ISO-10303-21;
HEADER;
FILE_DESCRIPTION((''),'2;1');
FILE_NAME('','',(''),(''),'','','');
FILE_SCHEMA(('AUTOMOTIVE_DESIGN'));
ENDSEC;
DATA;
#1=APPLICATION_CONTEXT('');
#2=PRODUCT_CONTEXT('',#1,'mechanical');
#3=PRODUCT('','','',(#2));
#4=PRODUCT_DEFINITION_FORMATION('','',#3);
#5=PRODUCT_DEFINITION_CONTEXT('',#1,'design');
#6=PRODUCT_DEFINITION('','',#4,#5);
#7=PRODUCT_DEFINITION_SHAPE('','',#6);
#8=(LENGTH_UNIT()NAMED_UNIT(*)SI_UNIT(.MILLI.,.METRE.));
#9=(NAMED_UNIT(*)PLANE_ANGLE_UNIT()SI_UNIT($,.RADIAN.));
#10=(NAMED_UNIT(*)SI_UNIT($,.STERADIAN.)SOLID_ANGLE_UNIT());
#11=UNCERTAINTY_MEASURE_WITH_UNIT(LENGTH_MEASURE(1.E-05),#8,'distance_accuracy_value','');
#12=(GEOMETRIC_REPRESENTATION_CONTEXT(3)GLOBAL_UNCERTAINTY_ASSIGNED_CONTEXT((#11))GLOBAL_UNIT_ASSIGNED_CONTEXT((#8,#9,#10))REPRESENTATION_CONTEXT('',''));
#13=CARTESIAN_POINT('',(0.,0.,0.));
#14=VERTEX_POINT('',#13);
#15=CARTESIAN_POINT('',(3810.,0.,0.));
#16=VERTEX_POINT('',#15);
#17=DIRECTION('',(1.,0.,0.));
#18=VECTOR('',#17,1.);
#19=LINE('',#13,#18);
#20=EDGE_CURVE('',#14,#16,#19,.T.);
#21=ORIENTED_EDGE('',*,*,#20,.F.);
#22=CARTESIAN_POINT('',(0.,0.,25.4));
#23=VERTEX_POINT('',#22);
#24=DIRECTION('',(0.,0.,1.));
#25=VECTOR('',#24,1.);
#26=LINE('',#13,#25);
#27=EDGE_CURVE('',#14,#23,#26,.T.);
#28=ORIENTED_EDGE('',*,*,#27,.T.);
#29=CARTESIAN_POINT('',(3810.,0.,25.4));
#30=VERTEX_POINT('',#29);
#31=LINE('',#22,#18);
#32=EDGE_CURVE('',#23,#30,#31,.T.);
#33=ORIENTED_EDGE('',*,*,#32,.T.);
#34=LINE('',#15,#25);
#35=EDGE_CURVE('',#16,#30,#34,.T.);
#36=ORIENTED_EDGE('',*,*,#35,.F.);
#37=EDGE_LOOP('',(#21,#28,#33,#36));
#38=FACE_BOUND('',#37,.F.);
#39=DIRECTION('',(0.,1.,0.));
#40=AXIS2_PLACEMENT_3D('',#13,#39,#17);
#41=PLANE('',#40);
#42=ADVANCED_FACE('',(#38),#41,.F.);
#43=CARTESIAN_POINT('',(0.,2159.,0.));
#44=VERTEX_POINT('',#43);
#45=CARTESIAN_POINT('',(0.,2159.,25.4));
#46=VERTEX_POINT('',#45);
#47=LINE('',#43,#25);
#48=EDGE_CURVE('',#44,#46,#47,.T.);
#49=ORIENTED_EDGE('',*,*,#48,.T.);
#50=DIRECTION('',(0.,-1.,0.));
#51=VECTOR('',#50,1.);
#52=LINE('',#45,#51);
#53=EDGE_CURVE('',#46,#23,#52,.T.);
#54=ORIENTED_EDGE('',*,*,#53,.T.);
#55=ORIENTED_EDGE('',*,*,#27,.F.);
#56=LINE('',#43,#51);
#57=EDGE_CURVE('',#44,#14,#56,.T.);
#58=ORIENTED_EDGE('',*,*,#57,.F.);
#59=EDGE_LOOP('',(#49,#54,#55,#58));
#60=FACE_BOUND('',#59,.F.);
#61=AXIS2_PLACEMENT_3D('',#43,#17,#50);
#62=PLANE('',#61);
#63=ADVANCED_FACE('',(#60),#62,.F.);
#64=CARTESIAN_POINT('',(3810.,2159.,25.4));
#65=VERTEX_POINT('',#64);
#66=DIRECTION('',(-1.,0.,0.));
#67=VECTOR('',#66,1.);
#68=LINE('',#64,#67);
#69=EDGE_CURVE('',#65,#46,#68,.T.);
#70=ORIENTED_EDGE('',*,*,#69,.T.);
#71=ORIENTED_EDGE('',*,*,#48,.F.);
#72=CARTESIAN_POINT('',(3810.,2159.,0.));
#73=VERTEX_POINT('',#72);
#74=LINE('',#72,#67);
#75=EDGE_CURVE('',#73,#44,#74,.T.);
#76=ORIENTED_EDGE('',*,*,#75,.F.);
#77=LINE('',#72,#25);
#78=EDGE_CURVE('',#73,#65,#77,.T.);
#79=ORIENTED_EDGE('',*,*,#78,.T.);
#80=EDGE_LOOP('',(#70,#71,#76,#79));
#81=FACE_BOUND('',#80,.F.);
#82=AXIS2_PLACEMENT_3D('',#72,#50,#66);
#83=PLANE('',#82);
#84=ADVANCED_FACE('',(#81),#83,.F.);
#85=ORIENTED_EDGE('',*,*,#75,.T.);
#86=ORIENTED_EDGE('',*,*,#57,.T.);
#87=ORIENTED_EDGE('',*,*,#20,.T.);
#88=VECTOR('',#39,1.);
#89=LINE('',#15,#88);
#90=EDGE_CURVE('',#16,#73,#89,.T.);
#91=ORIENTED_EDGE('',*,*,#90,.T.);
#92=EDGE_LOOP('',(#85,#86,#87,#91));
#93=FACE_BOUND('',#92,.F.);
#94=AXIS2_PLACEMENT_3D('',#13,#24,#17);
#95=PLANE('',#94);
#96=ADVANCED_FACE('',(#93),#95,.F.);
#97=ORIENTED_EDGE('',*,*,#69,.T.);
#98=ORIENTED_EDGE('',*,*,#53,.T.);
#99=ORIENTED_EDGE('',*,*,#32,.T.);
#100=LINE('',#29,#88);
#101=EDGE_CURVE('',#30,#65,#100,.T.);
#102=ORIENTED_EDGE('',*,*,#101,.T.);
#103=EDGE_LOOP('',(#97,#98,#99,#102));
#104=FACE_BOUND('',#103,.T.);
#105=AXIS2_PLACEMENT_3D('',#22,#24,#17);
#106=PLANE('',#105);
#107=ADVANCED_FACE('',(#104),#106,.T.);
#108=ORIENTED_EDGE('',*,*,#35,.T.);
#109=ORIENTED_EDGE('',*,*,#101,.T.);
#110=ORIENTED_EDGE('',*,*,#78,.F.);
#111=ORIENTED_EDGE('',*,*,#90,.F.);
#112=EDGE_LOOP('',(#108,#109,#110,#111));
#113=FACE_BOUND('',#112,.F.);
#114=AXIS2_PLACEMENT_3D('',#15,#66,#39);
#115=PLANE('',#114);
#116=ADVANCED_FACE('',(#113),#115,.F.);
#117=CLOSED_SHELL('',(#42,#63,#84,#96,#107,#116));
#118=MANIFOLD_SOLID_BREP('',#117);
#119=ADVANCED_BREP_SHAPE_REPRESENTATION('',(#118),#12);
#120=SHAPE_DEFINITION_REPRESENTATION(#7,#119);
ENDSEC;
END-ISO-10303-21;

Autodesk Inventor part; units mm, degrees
ref_plane "YZ Plane" through (0, 0, 0) normal (1, 0, 0) x (0, 1, 0)
ref_plane "XZ Plane" through (0, 0, 0) normal (0, 1, 0) x (-1, 0, 0)
ref_plane "XY Plane" through (0, 0, 0) normal (0, 0, 1) x (1, 0, 0)
sketch "Sketch2" plane through (0, 0, 0) normal (0, 0, 1) x (1, 0, 0)
  line L0 (0, 0) -> (3810, 0)
  line L1 (3810, 0) -> (3810, 2159)
  line L2 (3810, 2159) -> (0, 2159)
  line L3 (0, 2159) -> (0, 0)
  dimension "d4" = 3810
  dimension "d5" = 2159
extrude "Extrusion2" add sketch "Sketch2" along normal blind 25.4
properties part number "screen" material "Glass"
